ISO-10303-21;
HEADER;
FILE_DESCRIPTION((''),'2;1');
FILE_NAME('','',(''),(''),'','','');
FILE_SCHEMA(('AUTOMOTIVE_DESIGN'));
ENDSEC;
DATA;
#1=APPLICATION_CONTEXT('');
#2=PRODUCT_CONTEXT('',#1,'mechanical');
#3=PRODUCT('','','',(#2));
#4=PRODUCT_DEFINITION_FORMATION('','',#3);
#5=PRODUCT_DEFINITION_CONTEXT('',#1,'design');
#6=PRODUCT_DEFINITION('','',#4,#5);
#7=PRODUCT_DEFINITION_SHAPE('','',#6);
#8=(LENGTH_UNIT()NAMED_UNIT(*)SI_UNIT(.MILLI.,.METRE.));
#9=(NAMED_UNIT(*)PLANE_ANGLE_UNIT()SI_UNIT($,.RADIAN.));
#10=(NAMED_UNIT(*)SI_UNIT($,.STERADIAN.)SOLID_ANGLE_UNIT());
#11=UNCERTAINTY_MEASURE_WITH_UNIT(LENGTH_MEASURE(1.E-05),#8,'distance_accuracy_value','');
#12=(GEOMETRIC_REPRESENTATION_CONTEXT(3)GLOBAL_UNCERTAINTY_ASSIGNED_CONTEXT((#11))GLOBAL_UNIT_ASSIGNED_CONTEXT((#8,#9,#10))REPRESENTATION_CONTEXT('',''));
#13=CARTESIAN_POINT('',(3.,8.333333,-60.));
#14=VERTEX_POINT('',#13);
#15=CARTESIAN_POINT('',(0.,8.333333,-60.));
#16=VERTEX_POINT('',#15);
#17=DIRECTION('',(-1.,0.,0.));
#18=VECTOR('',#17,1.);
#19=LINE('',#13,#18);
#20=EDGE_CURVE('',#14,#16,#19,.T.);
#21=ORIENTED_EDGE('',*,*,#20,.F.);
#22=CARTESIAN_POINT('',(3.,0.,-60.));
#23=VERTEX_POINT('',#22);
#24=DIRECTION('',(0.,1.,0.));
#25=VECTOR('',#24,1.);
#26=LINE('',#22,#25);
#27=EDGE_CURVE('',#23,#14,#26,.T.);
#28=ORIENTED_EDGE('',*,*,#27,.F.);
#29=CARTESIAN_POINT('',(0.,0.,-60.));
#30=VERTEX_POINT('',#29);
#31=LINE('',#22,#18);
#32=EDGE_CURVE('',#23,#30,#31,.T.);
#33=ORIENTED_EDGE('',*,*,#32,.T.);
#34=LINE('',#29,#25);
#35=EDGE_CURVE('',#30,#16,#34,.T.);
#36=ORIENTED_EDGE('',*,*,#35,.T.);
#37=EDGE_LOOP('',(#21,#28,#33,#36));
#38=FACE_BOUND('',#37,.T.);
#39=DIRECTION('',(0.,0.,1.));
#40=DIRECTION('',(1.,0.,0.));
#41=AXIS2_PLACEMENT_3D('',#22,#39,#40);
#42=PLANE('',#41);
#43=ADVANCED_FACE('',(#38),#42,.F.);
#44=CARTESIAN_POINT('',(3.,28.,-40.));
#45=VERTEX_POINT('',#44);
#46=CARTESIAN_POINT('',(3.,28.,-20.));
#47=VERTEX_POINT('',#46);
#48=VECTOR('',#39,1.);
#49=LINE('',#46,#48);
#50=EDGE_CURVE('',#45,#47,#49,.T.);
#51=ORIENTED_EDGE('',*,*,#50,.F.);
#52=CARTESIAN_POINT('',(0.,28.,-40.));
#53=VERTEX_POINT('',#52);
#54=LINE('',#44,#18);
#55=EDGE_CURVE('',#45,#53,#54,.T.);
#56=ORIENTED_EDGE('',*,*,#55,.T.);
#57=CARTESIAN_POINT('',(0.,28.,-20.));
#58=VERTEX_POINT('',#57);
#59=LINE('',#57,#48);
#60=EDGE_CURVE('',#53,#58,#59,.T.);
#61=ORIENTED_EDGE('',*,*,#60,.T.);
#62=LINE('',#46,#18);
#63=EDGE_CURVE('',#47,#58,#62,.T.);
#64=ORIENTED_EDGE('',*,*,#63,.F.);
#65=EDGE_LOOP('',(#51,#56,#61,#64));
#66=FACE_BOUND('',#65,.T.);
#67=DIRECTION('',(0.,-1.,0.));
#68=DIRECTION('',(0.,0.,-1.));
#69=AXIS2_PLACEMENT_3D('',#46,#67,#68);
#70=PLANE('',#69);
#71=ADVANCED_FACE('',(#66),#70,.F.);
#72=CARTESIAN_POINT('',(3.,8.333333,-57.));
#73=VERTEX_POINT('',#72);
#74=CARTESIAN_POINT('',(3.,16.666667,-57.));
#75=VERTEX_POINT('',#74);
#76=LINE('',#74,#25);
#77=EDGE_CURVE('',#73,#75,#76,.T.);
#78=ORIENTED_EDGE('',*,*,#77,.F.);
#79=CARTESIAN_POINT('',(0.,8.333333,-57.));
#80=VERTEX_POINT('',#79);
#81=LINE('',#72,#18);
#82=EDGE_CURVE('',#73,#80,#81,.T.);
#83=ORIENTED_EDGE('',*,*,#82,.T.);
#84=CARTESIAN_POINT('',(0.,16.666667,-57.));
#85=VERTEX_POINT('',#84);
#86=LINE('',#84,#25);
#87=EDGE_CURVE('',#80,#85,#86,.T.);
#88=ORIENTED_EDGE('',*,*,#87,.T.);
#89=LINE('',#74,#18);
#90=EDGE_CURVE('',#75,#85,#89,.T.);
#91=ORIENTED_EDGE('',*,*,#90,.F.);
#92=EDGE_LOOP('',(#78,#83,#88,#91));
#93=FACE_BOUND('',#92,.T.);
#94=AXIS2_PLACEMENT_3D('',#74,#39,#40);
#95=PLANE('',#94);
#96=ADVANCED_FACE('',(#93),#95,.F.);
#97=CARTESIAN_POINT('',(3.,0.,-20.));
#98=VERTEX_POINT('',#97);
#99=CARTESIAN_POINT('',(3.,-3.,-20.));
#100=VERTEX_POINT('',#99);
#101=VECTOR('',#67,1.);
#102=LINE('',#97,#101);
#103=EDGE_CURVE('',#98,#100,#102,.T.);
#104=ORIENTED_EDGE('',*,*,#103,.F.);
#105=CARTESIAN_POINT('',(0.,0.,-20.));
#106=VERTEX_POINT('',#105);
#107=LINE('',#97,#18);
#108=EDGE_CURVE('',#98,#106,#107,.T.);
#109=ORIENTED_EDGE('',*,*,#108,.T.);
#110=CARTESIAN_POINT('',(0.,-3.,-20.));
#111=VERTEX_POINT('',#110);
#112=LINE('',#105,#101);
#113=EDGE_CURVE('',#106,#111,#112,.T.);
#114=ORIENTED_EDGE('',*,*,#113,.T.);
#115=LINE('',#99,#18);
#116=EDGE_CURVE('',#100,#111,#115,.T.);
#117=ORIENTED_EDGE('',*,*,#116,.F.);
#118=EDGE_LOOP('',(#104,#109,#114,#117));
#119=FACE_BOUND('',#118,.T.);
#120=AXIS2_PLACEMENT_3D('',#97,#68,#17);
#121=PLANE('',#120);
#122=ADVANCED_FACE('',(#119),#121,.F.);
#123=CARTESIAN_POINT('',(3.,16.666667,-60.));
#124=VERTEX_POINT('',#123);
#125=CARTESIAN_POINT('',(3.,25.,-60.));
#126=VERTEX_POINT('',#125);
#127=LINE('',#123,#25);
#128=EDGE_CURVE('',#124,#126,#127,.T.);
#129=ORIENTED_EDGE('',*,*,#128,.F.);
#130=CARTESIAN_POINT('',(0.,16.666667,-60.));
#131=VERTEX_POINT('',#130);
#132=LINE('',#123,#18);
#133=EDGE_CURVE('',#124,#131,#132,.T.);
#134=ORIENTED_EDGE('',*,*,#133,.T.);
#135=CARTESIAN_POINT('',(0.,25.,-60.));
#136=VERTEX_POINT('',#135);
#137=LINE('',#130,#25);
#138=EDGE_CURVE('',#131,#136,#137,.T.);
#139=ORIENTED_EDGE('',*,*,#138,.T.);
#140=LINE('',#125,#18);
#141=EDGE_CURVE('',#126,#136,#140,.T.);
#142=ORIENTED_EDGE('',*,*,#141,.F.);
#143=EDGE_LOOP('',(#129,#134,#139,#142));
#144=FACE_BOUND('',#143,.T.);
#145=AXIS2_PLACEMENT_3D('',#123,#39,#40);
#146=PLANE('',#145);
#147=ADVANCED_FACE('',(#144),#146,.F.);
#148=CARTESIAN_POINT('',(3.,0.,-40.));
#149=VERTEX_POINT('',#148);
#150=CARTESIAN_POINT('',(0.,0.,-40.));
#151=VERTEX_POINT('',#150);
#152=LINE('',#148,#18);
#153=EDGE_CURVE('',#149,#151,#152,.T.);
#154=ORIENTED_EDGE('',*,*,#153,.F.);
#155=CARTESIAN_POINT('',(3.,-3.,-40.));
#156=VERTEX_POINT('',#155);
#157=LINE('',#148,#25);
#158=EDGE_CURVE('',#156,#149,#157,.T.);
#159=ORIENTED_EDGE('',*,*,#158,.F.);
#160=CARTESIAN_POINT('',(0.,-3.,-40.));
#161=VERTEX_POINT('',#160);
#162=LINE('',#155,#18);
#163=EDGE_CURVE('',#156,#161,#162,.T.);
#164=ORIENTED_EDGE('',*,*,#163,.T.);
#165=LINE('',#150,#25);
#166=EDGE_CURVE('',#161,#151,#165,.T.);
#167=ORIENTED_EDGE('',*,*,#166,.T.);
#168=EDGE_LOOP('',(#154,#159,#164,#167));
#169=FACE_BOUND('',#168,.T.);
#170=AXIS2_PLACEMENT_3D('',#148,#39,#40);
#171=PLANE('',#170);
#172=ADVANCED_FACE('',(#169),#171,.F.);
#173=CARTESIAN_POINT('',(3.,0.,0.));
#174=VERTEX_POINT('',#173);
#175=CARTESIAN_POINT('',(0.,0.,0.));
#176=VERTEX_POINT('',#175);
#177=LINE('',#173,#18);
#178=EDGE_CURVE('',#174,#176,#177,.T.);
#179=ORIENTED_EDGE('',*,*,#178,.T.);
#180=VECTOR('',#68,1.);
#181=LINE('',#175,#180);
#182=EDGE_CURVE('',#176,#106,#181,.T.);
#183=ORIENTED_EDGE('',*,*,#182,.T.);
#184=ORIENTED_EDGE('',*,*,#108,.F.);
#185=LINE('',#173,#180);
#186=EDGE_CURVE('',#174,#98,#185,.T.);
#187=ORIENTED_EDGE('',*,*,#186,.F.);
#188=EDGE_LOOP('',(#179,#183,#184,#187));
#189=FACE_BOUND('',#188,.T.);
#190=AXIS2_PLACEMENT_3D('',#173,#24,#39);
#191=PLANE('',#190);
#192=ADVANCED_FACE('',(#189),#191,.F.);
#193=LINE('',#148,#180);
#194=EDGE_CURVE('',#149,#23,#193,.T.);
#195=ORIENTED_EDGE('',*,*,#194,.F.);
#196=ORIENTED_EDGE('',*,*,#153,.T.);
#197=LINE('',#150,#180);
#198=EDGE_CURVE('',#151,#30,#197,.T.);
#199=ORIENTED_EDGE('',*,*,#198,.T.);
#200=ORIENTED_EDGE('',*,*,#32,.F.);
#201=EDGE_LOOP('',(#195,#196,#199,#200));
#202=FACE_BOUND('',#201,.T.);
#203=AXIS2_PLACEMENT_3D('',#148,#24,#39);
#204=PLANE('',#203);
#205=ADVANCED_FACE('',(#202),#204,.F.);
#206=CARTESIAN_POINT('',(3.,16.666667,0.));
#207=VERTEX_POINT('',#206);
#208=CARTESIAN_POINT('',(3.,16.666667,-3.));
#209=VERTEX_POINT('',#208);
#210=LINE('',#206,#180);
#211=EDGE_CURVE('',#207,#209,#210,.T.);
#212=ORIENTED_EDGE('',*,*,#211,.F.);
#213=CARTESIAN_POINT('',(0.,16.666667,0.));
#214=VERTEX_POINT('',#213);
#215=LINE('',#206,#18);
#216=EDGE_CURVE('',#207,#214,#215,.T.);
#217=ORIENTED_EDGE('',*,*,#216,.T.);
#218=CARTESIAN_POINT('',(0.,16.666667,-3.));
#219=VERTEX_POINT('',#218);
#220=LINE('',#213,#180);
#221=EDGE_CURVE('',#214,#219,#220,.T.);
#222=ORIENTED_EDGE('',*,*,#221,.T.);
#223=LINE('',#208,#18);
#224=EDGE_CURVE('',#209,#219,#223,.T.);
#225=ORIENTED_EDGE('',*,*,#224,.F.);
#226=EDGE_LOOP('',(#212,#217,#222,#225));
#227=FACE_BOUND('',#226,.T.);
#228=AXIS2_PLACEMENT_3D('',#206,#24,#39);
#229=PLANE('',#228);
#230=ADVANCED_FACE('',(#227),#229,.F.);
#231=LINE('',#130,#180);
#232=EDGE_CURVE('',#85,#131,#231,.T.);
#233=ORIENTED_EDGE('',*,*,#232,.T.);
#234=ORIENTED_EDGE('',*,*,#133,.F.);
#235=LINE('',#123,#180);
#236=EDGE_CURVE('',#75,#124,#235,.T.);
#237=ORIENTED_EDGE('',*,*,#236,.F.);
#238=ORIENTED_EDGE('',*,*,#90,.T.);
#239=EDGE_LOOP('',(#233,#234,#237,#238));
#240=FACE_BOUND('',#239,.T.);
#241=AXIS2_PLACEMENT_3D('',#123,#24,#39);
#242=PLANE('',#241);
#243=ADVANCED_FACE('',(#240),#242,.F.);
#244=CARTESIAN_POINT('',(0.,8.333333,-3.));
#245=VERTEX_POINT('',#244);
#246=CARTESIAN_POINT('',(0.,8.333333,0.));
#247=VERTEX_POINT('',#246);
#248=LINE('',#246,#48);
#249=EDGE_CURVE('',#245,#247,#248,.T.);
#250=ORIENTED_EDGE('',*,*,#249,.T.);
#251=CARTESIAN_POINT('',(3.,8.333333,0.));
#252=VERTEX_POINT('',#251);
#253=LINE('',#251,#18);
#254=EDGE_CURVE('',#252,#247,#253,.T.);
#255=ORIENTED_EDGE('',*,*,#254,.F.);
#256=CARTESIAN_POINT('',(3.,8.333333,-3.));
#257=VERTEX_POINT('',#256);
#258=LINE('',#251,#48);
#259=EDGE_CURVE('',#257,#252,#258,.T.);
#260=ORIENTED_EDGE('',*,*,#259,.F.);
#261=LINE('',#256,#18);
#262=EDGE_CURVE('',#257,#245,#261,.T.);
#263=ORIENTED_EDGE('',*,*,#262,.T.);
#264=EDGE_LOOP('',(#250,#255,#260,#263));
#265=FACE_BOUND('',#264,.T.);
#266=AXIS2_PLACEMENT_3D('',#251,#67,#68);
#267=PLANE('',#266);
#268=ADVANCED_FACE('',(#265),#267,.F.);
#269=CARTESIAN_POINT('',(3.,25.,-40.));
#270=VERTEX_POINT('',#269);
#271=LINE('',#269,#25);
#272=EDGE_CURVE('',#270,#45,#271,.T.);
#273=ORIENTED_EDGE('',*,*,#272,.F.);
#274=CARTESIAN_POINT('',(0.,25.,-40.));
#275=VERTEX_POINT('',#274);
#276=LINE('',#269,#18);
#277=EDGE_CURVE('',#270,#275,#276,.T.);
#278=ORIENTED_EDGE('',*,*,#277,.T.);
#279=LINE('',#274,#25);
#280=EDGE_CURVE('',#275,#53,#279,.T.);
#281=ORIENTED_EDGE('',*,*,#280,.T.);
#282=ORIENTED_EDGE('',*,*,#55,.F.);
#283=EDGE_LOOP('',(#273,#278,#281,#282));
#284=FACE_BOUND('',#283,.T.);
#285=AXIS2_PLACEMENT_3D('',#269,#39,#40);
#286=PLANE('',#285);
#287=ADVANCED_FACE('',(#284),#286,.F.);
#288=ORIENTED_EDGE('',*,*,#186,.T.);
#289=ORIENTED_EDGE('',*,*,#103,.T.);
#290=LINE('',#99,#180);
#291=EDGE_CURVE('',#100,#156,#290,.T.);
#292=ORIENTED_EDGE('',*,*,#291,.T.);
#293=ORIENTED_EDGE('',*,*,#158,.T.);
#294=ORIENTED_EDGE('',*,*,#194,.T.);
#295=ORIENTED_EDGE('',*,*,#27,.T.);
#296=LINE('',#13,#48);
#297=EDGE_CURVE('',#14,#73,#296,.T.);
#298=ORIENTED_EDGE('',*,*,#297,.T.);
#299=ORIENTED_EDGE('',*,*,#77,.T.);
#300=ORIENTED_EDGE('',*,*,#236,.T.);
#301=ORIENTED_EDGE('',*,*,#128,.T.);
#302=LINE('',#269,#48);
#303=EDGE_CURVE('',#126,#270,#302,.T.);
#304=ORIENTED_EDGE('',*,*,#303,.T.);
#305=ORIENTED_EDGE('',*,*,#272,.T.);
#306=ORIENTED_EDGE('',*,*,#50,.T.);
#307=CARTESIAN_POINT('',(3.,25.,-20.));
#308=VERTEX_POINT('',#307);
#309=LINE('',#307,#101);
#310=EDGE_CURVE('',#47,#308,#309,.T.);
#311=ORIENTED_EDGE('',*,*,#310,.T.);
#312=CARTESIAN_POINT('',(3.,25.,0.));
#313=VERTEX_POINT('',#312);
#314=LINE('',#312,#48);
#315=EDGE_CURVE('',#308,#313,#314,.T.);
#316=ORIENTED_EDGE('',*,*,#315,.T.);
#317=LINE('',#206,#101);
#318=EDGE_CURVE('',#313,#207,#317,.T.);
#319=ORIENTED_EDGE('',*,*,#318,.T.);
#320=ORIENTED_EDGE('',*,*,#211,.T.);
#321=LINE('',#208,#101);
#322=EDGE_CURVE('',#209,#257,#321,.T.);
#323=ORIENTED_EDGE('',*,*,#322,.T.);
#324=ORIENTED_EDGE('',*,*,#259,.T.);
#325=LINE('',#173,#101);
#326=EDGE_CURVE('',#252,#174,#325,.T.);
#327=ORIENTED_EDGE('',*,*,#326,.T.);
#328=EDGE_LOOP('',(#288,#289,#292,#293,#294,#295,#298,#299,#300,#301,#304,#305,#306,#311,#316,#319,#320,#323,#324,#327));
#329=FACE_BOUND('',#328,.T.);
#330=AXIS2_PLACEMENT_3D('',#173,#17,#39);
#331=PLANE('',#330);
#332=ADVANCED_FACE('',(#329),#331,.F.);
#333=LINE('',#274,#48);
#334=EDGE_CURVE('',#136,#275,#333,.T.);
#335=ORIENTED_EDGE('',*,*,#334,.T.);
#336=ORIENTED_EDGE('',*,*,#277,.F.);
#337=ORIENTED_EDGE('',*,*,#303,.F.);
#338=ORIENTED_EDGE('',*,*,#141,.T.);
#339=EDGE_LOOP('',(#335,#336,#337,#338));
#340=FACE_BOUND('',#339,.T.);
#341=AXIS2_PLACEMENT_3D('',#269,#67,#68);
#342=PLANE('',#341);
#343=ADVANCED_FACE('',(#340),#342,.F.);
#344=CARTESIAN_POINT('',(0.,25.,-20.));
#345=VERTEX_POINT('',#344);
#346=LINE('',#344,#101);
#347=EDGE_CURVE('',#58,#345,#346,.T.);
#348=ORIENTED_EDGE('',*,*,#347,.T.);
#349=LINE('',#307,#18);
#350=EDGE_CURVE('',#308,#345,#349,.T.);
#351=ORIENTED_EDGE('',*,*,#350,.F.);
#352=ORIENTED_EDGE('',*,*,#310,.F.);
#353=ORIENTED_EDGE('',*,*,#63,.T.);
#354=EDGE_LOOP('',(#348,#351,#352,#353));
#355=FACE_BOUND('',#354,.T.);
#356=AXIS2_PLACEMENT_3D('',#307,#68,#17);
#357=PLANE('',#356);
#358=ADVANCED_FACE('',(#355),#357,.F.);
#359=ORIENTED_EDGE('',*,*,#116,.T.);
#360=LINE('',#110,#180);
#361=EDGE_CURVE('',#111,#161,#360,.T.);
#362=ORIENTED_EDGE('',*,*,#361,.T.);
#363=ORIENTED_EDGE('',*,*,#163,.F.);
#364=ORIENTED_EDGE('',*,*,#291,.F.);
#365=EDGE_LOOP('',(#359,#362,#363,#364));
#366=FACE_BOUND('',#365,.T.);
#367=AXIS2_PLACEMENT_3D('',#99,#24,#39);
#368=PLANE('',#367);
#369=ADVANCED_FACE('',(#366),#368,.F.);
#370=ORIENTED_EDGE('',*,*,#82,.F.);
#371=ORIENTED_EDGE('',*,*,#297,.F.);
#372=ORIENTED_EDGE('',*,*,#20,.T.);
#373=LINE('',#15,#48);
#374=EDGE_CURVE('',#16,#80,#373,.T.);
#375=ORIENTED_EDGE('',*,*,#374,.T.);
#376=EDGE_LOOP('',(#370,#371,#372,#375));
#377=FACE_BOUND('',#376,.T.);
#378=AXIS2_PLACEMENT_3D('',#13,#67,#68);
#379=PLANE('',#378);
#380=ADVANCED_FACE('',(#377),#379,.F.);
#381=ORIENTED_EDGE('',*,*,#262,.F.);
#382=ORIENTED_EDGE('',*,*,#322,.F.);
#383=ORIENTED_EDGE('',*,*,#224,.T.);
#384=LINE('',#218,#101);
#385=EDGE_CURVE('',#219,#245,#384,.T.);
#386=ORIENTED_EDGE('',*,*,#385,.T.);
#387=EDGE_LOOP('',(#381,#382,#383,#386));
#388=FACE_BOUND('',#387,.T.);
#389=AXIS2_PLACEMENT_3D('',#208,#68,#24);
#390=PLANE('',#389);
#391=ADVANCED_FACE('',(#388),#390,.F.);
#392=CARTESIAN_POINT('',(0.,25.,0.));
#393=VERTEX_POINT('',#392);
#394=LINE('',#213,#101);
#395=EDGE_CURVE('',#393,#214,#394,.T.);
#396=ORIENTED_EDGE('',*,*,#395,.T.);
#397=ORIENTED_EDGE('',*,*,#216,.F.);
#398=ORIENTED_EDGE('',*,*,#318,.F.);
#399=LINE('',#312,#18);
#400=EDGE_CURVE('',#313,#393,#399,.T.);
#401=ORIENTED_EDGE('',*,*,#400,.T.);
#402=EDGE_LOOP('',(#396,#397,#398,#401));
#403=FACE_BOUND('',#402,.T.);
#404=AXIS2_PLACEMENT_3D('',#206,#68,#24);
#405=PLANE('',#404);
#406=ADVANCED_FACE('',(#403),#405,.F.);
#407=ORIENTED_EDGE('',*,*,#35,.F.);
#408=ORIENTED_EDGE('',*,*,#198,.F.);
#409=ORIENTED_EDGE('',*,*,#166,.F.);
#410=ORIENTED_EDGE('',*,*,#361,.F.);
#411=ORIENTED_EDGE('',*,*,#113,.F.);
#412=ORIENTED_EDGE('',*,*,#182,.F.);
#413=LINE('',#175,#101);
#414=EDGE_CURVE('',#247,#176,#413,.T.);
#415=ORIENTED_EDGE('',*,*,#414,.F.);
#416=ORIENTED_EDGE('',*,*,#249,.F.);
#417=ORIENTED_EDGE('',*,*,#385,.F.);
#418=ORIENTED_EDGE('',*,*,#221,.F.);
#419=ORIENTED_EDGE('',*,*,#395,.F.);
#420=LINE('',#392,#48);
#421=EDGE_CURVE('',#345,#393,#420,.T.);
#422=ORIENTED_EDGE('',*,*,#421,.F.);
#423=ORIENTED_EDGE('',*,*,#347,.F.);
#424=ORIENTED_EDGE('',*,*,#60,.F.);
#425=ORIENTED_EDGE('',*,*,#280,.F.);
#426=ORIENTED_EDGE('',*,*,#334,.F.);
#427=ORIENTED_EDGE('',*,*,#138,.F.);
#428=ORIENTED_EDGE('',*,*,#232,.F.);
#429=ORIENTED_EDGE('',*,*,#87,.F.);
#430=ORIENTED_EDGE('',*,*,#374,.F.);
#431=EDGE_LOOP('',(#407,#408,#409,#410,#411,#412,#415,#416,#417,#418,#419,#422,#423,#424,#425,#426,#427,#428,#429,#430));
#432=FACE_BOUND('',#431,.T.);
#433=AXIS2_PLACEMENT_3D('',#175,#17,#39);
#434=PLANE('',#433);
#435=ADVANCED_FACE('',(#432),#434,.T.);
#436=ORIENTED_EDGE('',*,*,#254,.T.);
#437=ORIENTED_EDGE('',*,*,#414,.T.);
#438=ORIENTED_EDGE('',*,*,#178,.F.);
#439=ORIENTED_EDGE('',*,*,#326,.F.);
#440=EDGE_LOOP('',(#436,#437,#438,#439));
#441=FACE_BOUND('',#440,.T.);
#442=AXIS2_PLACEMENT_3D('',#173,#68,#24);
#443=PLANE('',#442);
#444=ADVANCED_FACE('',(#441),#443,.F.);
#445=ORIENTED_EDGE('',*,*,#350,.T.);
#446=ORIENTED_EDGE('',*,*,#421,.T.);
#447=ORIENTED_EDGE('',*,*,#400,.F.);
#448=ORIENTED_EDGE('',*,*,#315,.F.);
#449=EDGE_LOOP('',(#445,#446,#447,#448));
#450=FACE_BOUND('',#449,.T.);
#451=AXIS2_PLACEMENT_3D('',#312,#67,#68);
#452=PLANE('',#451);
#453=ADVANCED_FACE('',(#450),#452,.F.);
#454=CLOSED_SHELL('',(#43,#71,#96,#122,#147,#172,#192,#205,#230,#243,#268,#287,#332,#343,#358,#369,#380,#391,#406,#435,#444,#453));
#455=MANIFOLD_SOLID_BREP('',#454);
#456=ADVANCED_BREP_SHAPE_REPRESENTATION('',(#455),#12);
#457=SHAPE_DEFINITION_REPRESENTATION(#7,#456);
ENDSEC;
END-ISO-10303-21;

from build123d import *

# Parameters (mm, degrees)
SIDES_EXTRUDED_DEPTH = 3


with BuildPart() as part:
    # Sides → Sides Extruded (new body)
    with BuildSketch(Plane(origin=(0, 0, 0), x_dir=(0, 0, -1), z_dir=(1, 0, 0))):
        Polygon((0, 16.66666666), (0, 25), (20, 25), (20, 28), (40, 28), (40, 25), (60, 25), (60, 16.66666666), (57, 16.66666666), (57, 8.33333333), (60, 8.33333333), (60, 0), (40, 0), (40, -3), (20, -3), (20, 0), (0, 0), (0, 8.33333333), (3, 8.33333333), (3, 16.66666666), align=None)
    extrude(amount=SIDES_EXTRUDED_DEPTH)


solid = part.part
